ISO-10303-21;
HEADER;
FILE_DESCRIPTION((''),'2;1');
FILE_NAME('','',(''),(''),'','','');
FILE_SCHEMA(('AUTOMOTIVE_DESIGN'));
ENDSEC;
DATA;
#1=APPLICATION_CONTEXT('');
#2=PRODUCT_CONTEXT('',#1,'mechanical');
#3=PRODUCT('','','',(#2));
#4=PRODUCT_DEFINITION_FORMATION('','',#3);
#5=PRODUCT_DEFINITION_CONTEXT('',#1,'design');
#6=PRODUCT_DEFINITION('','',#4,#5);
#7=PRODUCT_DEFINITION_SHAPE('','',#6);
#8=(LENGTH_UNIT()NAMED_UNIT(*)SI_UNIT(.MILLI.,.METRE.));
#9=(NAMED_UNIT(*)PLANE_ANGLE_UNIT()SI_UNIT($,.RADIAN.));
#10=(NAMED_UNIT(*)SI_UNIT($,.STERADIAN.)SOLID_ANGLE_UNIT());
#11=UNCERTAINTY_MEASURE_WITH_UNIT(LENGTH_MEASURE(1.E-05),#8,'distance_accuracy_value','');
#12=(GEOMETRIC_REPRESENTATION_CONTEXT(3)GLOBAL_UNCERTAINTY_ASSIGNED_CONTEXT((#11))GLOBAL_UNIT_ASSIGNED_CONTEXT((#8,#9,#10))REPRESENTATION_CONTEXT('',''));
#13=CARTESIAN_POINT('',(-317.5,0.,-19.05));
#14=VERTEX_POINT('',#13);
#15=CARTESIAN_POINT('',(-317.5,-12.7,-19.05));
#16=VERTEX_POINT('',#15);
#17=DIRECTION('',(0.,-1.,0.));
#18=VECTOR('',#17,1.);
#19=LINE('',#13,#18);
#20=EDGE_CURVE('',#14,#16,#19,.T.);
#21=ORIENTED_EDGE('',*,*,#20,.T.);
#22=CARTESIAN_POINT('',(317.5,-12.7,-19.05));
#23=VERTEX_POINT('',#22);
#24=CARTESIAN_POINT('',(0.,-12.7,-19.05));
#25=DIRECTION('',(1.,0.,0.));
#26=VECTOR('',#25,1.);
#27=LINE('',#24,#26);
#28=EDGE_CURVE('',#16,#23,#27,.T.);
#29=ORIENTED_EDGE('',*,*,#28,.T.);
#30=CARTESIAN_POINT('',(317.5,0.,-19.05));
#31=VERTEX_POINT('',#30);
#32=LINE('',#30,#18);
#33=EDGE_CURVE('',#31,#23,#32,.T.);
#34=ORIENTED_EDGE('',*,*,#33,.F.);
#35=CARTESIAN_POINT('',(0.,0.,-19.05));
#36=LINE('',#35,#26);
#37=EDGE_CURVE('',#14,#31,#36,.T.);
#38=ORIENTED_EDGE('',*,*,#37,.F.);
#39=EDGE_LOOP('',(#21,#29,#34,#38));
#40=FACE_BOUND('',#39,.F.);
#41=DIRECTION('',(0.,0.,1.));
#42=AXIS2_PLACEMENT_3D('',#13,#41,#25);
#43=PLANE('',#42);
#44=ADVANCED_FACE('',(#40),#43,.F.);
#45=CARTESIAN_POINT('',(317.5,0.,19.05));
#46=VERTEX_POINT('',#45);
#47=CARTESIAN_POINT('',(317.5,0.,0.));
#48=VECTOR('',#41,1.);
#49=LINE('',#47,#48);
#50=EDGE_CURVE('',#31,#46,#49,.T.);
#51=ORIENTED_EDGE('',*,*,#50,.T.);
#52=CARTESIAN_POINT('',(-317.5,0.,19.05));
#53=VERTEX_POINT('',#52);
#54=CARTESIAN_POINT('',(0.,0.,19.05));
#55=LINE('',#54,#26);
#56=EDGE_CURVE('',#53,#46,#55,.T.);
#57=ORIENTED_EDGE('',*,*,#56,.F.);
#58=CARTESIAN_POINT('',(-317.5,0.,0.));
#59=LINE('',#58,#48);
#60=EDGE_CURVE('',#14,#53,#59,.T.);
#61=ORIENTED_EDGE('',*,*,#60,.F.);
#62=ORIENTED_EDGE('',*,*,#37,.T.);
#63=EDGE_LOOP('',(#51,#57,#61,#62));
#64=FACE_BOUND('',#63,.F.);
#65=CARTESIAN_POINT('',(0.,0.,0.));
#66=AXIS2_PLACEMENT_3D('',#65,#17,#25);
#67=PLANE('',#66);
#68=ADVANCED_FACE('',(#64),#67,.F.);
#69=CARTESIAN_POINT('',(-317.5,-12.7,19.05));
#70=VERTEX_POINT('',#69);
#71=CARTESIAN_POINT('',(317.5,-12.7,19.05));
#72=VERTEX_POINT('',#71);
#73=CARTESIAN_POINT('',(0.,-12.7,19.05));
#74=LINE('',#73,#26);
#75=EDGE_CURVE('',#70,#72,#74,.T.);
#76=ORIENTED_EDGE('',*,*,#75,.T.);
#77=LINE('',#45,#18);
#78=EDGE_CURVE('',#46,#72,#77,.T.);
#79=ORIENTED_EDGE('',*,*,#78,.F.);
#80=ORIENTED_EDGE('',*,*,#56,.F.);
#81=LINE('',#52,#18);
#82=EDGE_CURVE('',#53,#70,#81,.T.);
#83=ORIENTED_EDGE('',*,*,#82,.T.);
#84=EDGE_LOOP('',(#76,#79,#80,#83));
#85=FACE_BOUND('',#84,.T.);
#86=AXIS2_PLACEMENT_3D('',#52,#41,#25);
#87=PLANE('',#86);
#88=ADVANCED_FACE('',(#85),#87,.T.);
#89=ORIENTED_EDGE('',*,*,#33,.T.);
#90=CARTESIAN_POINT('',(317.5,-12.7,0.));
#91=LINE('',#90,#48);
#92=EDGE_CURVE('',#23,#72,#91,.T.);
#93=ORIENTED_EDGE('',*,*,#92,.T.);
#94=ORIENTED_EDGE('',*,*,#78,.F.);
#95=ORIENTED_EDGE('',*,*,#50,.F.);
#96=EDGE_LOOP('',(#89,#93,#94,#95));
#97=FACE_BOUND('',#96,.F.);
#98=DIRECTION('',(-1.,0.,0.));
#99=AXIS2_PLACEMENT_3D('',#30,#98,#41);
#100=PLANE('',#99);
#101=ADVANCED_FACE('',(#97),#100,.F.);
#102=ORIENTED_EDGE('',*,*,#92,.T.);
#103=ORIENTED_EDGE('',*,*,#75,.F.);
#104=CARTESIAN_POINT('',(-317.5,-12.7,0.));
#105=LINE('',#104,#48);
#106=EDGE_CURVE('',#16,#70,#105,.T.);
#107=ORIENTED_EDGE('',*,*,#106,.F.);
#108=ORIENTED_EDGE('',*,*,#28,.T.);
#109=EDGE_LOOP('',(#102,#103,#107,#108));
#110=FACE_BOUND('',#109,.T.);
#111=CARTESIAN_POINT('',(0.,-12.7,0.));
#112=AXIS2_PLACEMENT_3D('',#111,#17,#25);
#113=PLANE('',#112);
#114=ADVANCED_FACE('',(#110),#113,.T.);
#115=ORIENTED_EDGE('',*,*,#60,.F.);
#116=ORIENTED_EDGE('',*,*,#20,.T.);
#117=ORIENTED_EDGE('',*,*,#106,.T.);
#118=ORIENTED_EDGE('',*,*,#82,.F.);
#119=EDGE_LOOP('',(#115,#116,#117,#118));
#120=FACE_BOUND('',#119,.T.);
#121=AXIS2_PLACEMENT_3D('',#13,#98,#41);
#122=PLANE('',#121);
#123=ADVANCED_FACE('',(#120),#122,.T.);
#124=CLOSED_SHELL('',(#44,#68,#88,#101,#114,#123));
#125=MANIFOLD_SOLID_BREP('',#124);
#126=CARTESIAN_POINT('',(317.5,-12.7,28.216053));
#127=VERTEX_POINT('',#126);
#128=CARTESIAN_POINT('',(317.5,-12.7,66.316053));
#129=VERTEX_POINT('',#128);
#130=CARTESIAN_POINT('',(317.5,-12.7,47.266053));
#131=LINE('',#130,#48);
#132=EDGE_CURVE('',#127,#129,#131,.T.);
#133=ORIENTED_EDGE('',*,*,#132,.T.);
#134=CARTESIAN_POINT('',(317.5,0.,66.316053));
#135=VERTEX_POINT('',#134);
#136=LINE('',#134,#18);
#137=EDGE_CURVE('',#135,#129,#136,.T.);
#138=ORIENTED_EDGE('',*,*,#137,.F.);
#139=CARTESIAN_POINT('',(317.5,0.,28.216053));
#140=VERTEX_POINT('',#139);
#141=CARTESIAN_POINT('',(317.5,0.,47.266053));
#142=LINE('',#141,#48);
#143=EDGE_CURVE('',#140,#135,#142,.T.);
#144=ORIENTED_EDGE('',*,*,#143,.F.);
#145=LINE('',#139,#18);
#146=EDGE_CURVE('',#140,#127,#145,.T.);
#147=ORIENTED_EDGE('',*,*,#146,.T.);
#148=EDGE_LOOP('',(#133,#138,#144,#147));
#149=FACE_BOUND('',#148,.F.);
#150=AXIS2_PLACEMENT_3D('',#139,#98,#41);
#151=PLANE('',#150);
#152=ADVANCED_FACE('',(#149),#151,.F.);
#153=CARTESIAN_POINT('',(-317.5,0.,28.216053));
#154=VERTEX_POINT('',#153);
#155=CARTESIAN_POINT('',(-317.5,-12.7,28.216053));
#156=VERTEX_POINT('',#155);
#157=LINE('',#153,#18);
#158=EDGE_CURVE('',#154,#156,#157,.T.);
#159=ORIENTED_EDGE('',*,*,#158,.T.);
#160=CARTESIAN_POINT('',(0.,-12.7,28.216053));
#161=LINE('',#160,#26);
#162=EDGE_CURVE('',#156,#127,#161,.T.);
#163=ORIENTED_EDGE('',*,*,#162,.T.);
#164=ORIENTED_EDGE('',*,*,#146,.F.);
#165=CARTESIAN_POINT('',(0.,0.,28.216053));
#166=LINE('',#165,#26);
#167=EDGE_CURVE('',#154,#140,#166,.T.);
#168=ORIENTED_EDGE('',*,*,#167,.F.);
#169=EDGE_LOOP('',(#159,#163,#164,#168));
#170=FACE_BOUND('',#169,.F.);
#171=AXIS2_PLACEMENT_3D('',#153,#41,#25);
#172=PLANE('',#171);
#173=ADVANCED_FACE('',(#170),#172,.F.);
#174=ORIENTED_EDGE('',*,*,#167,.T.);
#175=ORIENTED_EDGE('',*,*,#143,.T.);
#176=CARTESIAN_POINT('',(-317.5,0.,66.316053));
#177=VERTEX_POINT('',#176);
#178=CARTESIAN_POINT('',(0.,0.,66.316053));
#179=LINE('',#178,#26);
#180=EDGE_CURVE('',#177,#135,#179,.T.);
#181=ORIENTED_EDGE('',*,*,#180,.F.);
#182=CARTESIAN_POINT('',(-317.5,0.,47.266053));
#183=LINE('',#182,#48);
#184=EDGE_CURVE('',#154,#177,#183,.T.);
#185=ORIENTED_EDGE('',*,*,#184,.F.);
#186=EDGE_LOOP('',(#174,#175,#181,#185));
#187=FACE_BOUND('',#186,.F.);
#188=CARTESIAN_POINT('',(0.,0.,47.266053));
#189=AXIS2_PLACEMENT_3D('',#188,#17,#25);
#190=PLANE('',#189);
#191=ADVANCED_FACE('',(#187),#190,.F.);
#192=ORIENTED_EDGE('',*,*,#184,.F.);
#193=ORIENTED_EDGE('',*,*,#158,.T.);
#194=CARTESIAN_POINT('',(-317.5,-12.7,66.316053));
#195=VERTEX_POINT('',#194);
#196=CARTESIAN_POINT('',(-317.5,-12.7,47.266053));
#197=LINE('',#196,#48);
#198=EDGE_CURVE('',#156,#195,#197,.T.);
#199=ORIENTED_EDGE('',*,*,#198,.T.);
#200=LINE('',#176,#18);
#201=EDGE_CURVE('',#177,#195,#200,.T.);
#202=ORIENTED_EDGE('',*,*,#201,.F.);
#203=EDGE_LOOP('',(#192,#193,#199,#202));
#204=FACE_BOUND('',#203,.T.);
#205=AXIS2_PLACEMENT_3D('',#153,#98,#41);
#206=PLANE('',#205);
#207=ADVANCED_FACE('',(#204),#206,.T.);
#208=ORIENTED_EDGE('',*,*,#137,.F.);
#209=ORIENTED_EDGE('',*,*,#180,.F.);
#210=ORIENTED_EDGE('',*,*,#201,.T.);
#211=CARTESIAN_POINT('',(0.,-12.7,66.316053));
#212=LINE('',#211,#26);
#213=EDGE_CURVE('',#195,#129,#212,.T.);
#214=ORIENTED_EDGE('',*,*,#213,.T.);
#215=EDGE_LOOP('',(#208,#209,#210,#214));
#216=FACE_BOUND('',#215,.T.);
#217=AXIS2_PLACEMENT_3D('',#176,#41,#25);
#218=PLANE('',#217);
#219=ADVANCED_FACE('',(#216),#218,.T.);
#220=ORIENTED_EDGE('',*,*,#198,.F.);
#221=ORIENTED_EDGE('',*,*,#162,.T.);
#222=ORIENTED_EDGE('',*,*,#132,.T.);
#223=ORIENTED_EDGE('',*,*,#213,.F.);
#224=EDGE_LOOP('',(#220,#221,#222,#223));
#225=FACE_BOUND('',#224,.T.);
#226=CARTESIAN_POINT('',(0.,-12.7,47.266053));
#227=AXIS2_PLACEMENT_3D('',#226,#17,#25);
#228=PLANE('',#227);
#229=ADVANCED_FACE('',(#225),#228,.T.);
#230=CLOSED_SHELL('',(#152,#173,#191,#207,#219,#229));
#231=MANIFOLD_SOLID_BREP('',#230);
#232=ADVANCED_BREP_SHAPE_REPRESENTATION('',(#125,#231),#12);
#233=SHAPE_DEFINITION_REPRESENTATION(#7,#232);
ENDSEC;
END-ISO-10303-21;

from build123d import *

# Parameters (mm, degrees)
F0_W     = 635
F0_H     = 38.1
F1_DEPTH = 12.7


with BuildPart() as f1:
    # F0 (on Front) → F1 (new body)
    with BuildSketch(Plane.XZ):
        with Locations((0, 47.266053)):
            Rectangle(F0_W, F0_H)
        Rectangle(F0_W, F0_H)
    extrude(amount=F1_DEPTH)


solid = f1.part
